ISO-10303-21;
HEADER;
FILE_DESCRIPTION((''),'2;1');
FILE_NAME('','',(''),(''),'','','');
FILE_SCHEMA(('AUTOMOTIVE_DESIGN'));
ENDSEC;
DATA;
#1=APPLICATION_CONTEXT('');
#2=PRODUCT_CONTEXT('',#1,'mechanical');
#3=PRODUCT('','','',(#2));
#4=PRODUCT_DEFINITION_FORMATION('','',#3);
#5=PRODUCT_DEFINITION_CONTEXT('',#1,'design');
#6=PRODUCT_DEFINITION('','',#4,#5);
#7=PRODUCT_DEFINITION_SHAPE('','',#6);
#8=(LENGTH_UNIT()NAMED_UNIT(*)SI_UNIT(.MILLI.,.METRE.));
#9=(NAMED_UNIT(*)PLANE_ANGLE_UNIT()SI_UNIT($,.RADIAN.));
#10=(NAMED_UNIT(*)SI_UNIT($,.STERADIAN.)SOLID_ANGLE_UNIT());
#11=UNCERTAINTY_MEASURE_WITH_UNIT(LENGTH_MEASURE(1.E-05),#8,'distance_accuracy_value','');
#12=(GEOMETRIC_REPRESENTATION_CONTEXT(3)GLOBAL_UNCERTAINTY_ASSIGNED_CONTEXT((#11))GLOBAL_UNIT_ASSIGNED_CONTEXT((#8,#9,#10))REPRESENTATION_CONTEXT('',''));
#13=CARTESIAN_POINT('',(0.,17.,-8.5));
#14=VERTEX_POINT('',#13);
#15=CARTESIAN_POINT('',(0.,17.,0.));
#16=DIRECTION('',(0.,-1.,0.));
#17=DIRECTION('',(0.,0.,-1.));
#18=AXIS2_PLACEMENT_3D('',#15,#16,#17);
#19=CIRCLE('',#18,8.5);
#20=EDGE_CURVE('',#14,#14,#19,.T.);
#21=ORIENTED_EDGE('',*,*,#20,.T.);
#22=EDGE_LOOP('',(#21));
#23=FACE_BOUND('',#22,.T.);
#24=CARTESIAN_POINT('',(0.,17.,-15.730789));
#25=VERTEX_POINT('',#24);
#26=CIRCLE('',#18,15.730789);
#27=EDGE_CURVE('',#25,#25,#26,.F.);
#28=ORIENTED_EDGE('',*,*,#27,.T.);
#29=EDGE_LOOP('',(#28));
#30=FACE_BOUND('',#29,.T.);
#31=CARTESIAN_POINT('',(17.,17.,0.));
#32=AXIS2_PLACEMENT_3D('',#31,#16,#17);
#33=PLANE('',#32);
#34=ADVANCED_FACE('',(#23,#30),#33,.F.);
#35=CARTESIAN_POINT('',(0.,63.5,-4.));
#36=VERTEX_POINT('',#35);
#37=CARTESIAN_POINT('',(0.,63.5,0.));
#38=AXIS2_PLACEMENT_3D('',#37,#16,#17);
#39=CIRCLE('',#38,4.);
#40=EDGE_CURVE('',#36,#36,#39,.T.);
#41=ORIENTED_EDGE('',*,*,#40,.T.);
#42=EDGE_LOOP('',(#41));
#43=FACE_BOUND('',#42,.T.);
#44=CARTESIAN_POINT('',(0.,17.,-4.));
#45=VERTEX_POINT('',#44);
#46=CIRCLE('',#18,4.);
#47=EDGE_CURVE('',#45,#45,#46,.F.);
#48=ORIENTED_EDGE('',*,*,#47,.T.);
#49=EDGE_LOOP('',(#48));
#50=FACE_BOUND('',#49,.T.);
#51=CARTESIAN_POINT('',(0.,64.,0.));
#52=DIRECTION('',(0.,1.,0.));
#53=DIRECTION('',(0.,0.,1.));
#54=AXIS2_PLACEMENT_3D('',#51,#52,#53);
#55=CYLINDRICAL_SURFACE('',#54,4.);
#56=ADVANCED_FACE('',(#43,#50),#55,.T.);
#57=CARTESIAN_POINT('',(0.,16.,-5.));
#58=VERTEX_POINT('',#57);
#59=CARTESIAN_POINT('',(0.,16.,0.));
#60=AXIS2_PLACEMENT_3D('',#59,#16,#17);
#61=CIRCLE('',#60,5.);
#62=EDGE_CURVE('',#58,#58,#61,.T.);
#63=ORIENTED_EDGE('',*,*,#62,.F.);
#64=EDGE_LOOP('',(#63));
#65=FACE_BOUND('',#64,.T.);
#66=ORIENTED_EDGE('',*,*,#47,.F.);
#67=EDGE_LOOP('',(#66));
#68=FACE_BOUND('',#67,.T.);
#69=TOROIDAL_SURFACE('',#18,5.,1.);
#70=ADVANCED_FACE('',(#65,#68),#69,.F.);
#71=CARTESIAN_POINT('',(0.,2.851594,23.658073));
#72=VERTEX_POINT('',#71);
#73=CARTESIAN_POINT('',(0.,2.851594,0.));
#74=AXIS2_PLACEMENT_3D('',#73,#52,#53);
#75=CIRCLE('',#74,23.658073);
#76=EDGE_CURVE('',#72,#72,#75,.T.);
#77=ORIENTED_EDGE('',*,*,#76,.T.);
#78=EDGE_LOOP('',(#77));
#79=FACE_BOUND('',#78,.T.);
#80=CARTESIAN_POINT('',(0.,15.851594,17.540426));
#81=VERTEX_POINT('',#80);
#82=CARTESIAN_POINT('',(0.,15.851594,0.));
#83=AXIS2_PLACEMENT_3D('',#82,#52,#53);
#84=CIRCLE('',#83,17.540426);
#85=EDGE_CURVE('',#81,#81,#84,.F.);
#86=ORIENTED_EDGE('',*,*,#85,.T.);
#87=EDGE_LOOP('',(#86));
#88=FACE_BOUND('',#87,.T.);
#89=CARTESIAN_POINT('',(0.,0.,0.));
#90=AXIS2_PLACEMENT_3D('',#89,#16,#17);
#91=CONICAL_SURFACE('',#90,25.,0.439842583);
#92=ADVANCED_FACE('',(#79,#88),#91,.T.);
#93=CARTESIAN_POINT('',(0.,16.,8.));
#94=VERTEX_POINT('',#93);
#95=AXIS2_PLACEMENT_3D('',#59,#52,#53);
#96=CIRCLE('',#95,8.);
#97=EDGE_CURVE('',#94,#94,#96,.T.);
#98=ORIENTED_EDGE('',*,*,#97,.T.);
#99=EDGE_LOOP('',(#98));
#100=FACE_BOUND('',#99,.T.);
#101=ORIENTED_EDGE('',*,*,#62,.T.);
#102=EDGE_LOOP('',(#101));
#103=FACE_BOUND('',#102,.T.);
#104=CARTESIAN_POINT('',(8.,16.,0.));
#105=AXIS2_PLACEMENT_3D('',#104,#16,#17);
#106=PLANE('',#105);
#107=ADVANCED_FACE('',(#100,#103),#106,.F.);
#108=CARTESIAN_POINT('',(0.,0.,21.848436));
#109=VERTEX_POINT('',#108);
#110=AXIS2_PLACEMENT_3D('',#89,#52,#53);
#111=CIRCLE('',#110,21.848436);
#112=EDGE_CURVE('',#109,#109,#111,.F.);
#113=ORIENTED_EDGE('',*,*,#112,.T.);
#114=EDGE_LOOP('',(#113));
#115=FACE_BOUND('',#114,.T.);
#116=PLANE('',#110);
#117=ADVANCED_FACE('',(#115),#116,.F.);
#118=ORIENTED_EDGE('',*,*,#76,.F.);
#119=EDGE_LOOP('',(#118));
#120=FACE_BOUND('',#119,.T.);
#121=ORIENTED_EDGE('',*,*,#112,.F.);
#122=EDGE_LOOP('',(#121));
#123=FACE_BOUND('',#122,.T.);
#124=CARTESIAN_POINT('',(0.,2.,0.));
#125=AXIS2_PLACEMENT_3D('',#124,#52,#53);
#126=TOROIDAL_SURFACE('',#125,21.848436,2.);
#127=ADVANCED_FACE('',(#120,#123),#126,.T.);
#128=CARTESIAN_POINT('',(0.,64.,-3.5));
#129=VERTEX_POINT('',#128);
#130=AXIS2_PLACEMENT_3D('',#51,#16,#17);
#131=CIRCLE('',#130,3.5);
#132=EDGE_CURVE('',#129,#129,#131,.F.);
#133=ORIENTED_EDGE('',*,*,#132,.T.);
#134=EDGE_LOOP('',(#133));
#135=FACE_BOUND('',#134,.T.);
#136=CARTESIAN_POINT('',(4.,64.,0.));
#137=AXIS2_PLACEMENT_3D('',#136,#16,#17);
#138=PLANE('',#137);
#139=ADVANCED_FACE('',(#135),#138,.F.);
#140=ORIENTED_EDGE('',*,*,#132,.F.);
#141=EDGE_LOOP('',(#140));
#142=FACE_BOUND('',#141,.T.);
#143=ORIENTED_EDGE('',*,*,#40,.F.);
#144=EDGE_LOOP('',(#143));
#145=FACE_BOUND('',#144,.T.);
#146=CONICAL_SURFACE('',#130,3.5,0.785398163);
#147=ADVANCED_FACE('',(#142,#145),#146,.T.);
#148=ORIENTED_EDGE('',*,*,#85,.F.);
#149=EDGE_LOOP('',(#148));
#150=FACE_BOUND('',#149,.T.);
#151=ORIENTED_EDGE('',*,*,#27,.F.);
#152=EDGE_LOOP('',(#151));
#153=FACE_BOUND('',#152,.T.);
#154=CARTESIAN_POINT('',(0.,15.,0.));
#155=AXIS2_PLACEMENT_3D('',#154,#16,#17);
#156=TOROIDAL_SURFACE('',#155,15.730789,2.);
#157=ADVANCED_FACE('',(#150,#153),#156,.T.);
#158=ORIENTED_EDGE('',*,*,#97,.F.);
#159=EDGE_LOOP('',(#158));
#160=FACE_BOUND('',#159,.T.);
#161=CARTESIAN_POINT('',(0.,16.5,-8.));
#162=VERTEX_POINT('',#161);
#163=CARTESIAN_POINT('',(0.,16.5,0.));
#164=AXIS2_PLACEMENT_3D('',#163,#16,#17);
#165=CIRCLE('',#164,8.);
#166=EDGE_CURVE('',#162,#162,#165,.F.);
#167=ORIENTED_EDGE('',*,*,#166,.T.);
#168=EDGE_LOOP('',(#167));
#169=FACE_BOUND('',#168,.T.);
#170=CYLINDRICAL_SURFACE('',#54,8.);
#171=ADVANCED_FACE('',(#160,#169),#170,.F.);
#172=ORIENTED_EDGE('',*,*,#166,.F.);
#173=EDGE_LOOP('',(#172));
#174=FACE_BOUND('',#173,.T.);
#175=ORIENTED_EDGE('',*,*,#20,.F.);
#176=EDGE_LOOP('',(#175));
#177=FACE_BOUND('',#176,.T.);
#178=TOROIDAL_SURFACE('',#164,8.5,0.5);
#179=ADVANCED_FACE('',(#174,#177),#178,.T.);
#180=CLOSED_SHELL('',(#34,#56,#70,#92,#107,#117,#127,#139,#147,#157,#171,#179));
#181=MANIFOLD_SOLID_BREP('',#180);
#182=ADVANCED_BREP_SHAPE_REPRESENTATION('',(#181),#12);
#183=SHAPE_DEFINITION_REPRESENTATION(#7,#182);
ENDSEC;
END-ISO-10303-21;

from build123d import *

# Parameters (mm, degrees)
REDONDEO1_R   = 2
REDONDEO2_R   = 1
REDONDEO3_R   = 0.5
CHAFL_N1_SIZE = 0.5


with BuildPart() as part:
    # Croquis2 → Revolución1 (revolve)
    with BuildSketch(Plane.XY):
        Polygon((0, 0), (25, 0), (17, 17), (8, 17), (8, 16), (4, 16), (4, 64), (0, 64), align=None)
    revolve(axis=Axis((0, 64, 0), (0, -1, 0)))

    # Redondeo1
    redondeo1_edges = [part.edges().sort_by_distance(p)[0] for p in [
        (-17, 17, 0),
        (-25, 0, 0),
    ]]
    fillet(redondeo1_edges, radius=REDONDEO1_R)

    # Redondeo2
    redondeo2_edges = [part.edges().sort_by_distance(p)[0] for p in [
        (-4, 16, 0),
    ]]
    fillet(redondeo2_edges, radius=REDONDEO2_R)

    # Redondeo3
    redondeo3_edges = [part.edges().sort_by_distance(p)[0] for p in [
        (-8, 17, 0),
    ]]
    fillet(redondeo3_edges, radius=REDONDEO3_R)

    # Chaflán1
    chafl_n1_edges = [part.edges().sort_by_distance(p)[0] for p in [
        (-4, 64, 0),
    ]]
    chamfer(chafl_n1_edges, length=CHAFL_N1_SIZE)


solid = part.part
